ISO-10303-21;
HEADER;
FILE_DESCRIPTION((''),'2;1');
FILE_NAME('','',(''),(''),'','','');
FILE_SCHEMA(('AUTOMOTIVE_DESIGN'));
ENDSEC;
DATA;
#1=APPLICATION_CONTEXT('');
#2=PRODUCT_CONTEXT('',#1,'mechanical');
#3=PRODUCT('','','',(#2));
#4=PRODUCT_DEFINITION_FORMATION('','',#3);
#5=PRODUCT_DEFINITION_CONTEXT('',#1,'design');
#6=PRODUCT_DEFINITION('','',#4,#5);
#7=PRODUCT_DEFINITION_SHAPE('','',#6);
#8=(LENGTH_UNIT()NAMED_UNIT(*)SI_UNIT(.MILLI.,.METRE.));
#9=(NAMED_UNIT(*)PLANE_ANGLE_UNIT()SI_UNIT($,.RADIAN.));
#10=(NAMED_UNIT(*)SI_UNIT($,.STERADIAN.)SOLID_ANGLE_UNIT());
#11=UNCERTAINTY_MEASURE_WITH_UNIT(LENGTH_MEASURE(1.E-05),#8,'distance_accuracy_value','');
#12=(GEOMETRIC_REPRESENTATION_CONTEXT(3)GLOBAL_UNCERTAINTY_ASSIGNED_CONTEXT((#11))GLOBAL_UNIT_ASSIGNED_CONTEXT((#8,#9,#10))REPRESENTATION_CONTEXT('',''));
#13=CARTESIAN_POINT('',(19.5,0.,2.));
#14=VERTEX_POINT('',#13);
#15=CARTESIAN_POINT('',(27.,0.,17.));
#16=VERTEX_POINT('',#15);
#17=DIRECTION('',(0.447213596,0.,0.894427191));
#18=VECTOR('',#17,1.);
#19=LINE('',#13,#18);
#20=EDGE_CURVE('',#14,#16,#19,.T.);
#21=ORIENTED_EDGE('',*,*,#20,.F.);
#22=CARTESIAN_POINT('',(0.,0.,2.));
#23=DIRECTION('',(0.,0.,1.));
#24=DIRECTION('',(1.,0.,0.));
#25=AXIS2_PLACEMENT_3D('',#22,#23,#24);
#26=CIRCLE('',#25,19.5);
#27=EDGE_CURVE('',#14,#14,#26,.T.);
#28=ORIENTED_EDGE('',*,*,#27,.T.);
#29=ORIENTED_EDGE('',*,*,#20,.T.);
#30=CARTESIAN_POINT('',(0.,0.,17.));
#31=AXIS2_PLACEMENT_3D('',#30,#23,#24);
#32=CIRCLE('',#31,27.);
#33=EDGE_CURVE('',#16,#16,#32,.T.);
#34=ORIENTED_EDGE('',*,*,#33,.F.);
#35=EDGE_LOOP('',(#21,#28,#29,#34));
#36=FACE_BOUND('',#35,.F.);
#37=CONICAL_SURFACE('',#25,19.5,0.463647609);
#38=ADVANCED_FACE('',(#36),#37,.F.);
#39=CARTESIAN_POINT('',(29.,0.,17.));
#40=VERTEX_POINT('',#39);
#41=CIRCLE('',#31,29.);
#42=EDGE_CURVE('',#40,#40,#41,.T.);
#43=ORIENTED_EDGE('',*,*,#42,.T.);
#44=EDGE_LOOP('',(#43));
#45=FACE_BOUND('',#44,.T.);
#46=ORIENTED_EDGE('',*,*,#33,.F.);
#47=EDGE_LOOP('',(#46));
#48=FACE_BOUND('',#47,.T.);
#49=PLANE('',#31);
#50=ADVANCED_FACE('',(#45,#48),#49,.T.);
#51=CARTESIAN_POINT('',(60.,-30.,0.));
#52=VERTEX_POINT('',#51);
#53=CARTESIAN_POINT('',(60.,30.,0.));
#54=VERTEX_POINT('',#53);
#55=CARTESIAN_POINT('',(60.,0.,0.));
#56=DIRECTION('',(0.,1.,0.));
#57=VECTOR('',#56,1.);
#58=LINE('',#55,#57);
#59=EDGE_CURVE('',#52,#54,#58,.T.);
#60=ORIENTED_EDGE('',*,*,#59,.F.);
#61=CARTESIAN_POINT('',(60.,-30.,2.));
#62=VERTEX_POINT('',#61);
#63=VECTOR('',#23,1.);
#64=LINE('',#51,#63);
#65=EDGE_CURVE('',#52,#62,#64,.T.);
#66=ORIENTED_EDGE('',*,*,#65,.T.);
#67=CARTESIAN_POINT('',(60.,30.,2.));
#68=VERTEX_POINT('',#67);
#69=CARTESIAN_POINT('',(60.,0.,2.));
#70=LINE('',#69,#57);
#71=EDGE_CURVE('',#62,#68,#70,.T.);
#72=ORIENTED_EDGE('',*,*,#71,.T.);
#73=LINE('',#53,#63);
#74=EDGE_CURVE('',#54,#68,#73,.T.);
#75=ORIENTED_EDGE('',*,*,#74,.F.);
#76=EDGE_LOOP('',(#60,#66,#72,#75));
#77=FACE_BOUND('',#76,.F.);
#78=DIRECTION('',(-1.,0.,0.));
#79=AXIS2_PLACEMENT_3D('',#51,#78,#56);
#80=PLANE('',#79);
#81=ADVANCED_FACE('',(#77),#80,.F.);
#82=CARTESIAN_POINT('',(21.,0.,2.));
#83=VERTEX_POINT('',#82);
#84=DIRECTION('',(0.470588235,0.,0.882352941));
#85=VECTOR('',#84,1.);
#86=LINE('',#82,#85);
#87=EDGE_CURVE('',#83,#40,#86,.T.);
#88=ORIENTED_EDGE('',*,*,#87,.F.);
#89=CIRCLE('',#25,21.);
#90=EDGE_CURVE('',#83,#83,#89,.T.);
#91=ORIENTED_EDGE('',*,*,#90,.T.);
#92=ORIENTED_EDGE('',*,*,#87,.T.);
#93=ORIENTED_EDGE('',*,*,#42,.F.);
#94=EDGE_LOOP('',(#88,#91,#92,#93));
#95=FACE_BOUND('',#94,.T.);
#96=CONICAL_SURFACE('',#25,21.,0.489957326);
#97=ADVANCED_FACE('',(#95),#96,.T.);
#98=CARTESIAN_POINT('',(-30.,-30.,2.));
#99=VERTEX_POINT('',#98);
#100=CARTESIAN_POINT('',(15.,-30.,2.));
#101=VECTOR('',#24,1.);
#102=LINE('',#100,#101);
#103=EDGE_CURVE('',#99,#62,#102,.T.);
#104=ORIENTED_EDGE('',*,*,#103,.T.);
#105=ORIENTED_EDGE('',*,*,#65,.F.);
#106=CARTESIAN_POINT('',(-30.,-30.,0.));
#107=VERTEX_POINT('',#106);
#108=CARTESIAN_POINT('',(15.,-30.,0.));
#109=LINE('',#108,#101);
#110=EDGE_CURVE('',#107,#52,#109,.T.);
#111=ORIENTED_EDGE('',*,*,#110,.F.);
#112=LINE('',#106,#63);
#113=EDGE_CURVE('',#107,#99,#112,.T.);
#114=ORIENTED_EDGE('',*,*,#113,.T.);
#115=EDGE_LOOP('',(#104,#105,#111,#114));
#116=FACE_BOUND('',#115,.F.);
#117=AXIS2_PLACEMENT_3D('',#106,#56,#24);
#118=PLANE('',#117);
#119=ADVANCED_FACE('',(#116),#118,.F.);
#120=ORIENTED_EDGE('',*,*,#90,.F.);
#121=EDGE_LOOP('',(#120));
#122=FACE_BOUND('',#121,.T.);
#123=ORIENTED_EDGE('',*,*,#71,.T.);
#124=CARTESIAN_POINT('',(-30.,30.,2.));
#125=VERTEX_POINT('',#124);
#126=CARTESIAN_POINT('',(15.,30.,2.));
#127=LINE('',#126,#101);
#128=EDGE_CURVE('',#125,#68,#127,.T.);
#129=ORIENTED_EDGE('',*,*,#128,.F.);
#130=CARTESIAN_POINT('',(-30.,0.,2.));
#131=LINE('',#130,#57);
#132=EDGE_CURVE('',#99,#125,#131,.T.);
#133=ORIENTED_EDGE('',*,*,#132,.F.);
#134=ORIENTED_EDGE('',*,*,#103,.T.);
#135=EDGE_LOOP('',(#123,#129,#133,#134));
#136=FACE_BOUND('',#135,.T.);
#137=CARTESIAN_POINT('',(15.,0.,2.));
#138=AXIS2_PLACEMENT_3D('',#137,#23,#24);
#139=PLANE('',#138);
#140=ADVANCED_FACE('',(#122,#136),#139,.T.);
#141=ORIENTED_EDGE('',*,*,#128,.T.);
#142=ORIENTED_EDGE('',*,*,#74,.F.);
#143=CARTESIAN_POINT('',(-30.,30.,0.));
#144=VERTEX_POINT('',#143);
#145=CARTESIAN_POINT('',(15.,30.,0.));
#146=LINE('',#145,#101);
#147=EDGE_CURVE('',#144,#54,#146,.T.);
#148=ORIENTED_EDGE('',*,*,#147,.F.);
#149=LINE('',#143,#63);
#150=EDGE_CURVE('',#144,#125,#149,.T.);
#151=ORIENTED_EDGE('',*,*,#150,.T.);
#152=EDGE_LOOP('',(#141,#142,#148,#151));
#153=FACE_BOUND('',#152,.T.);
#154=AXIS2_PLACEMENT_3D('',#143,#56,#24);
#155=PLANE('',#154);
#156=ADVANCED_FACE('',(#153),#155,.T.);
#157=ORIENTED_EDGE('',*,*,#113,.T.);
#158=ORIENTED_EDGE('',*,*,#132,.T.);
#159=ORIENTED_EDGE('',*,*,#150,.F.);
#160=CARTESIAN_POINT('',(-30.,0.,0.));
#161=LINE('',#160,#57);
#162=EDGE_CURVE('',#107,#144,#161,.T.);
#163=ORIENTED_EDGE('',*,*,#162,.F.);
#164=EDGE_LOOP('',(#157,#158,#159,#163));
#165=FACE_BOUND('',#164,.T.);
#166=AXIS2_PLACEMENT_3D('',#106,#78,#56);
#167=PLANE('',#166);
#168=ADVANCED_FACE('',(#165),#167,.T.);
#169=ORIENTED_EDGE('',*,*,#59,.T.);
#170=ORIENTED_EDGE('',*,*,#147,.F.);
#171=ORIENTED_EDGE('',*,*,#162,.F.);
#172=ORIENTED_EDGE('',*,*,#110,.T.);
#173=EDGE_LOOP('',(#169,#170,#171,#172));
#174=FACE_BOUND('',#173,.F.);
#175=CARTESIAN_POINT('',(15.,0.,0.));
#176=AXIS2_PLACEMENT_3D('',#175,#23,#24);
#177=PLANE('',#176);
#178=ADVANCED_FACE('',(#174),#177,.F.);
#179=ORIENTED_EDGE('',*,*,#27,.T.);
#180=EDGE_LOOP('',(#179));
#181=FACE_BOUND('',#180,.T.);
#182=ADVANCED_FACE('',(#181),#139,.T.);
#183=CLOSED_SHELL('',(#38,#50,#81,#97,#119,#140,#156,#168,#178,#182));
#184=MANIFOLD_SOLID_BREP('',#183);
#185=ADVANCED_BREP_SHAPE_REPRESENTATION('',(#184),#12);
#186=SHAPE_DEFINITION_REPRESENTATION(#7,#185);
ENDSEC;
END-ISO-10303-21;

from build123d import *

# Parameters (mm, degrees)
SKETCH_W  = 90
SKETCH_H  = 60
PAD_DEPTH = 2


with BuildPart() as pad:
    # Sketch → Pad (new body)
    with BuildSketch(Plane.XY):
        with Locations((15, 0)):
            Rectangle(SKETCH_W, SKETCH_H)
    extrude(amount=PAD_DEPTH)


with BuildPart() as cone:
    # Cone → Cone (revolve)
    with BuildSketch(Plane.XZ):
        Polygon((0, 0), (19.5, 0), (27, 15), (0, 15), align=None)
    revolve(axis=Axis((0, 0, 0), (0, 0, 1)))


with BuildPart() as fusion:
    # Cone001 → Cone001 (revolve)
    with BuildSketch(Plane.XZ):
        Polygon((0, 0), (21, 0), (29, 15), (0, 15), align=None)
    revolve(axis=Axis((0, 0, 0), (0, 0, 1)))

    # Cut: cut Cone
    add(cone.part, mode=Mode.SUBTRACT)


with BuildPart() as fusion_1:
    # Cut placement: moved
    add(fusion.part.moved(Location((0, 0, 2))))

    # Fusion: union Pad
    add(pad.part)


solid = fusion_1.part
